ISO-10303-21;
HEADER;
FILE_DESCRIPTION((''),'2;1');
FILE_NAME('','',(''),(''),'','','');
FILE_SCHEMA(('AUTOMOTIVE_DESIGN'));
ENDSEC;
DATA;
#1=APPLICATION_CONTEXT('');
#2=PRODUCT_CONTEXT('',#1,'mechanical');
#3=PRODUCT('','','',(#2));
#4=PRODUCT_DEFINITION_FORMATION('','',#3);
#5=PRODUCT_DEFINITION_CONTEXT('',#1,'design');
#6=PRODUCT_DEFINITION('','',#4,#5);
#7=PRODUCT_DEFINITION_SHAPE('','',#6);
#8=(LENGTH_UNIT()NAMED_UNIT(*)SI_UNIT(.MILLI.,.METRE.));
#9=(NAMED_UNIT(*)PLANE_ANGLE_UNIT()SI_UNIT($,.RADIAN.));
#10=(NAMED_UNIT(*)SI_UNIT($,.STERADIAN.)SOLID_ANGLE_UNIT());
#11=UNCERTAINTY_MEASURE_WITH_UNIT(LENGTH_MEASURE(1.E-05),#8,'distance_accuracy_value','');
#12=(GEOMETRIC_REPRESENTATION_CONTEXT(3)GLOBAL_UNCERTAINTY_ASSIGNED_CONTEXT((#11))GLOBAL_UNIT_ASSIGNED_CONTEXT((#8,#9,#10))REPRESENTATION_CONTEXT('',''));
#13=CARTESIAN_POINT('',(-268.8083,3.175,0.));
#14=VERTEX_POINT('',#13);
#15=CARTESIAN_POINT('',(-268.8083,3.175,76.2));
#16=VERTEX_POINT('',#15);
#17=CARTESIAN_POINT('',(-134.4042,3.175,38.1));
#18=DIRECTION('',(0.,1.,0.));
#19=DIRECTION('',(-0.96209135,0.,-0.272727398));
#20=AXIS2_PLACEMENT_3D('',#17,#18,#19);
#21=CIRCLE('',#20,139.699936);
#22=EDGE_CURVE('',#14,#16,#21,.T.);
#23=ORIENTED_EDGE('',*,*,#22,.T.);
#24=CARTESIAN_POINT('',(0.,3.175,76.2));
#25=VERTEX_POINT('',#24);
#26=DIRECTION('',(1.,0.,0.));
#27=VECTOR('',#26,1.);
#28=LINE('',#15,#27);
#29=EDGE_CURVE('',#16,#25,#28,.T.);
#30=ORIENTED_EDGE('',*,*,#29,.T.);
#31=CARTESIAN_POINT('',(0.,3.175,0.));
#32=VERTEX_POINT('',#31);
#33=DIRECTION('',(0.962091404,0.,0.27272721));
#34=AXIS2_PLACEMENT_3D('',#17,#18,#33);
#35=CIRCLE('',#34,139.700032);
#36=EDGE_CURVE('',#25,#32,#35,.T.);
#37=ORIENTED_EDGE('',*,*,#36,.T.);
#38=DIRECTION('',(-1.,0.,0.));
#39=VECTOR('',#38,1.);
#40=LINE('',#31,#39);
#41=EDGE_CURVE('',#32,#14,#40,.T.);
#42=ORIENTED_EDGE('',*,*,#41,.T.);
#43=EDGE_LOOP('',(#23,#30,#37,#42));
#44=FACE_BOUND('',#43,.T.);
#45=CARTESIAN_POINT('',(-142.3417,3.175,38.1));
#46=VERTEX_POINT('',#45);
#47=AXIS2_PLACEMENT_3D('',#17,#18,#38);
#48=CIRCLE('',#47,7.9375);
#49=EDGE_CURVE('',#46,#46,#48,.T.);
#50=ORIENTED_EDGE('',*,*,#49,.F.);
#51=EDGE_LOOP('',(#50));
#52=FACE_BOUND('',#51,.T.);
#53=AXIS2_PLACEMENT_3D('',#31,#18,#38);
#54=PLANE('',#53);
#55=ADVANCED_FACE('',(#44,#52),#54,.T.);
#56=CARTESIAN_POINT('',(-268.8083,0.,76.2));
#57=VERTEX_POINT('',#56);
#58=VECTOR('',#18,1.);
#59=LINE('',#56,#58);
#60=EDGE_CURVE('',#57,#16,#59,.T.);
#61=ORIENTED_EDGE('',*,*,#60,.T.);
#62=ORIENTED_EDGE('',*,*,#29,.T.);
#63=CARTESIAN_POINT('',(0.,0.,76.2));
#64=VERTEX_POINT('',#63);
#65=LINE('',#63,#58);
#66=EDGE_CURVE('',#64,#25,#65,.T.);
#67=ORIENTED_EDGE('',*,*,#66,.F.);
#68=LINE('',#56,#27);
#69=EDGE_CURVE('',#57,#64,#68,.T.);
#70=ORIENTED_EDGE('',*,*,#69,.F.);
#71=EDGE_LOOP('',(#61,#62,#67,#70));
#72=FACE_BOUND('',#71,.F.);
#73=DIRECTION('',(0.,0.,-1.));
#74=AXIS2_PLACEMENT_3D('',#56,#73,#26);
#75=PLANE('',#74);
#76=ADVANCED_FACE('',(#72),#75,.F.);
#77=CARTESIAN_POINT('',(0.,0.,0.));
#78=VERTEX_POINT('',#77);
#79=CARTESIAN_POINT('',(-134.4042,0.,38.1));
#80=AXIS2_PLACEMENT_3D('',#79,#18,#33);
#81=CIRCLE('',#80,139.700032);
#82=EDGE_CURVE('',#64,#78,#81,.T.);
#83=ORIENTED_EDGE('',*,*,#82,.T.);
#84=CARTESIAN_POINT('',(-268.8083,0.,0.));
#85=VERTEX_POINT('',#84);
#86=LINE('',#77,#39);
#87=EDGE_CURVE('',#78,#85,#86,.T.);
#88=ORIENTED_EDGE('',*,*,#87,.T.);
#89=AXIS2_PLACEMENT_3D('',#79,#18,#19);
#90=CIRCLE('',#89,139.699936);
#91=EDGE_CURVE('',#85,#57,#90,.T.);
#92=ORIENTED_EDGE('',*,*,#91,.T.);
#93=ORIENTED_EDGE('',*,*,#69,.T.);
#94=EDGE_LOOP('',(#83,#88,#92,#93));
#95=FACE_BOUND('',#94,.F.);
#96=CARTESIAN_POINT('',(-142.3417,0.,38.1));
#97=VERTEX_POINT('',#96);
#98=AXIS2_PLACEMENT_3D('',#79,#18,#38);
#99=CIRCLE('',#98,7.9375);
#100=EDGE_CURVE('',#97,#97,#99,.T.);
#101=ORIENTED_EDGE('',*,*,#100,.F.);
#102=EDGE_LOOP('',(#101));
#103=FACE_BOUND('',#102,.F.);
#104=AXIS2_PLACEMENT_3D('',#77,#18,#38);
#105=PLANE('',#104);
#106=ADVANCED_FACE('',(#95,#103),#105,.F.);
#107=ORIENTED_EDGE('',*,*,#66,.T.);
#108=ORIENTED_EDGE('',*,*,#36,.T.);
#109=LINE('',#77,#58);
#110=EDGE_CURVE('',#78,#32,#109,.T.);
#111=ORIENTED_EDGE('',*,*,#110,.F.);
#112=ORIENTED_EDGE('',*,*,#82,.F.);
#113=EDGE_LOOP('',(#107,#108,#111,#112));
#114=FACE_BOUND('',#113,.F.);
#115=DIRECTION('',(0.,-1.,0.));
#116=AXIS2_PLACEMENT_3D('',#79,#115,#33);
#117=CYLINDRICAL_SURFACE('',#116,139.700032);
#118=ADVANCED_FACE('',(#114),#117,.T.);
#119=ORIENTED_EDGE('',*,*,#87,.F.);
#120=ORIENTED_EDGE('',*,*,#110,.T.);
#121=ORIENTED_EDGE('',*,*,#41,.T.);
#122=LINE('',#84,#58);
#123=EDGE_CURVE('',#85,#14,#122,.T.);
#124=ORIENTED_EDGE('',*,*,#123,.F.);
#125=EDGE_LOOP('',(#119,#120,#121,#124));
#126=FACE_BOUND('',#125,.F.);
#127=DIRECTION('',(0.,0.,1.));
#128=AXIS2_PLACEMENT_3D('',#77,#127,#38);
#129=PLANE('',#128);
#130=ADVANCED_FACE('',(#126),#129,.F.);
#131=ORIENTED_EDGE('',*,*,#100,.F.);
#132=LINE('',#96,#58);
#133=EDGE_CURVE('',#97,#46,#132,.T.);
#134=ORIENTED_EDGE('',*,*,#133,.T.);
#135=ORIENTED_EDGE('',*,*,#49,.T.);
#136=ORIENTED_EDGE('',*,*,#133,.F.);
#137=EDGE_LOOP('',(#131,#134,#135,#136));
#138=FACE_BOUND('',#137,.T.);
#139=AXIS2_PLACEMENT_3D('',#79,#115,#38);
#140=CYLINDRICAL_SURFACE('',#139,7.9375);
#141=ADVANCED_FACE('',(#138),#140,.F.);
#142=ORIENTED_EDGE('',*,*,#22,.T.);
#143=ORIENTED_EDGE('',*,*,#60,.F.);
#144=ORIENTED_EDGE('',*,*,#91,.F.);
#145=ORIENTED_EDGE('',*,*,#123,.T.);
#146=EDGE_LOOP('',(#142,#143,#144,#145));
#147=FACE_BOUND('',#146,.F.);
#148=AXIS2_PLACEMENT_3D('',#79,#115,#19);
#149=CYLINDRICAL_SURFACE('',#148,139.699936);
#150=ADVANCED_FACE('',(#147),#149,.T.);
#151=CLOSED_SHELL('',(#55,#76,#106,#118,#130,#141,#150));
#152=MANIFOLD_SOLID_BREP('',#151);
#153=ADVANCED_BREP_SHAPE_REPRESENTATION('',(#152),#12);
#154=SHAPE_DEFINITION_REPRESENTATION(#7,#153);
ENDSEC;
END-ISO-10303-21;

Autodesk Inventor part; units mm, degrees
ref_plane "YZ Plane" through (0, 0, 0) normal (1, 0, 0) x (0, 1, 0)
ref_plane "XZ Plane" through (0, 0, 0) normal (0, 1, 0) x (-1, 0, 0)
ref_plane "XY Plane" through (0, 0, 0) normal (0, 0, 1) x (1, 0, 0)
sketch "Sketch2" plane through (0, 0, 0) normal (0, 1, 0) x (-1, 0, 0)
  line L0 (0, 0) -> (268.8083, 0)
  line L1 (268.8083, 76.2) -> (0, 76.2)
  arc A0 (0, 76.2) -> (0, 0) centre (134.4042, 38.1) ccw
  arc A1 (268.8083, 0) -> (268.8083, 76.2) centre (134.4042, 38.1) ccw
  circle A2 centre (134.4042, 38.1) radius 7.9375
  dimension "d0" = 76.2
  dimension "d1" = 139.7
  dimension "d2" = 15.875
extrude "Extrusion1" add sketch "Sketch2" along normal blind 3.175
properties part number "HopperCylinderMount" material "Aluminum-6061"
